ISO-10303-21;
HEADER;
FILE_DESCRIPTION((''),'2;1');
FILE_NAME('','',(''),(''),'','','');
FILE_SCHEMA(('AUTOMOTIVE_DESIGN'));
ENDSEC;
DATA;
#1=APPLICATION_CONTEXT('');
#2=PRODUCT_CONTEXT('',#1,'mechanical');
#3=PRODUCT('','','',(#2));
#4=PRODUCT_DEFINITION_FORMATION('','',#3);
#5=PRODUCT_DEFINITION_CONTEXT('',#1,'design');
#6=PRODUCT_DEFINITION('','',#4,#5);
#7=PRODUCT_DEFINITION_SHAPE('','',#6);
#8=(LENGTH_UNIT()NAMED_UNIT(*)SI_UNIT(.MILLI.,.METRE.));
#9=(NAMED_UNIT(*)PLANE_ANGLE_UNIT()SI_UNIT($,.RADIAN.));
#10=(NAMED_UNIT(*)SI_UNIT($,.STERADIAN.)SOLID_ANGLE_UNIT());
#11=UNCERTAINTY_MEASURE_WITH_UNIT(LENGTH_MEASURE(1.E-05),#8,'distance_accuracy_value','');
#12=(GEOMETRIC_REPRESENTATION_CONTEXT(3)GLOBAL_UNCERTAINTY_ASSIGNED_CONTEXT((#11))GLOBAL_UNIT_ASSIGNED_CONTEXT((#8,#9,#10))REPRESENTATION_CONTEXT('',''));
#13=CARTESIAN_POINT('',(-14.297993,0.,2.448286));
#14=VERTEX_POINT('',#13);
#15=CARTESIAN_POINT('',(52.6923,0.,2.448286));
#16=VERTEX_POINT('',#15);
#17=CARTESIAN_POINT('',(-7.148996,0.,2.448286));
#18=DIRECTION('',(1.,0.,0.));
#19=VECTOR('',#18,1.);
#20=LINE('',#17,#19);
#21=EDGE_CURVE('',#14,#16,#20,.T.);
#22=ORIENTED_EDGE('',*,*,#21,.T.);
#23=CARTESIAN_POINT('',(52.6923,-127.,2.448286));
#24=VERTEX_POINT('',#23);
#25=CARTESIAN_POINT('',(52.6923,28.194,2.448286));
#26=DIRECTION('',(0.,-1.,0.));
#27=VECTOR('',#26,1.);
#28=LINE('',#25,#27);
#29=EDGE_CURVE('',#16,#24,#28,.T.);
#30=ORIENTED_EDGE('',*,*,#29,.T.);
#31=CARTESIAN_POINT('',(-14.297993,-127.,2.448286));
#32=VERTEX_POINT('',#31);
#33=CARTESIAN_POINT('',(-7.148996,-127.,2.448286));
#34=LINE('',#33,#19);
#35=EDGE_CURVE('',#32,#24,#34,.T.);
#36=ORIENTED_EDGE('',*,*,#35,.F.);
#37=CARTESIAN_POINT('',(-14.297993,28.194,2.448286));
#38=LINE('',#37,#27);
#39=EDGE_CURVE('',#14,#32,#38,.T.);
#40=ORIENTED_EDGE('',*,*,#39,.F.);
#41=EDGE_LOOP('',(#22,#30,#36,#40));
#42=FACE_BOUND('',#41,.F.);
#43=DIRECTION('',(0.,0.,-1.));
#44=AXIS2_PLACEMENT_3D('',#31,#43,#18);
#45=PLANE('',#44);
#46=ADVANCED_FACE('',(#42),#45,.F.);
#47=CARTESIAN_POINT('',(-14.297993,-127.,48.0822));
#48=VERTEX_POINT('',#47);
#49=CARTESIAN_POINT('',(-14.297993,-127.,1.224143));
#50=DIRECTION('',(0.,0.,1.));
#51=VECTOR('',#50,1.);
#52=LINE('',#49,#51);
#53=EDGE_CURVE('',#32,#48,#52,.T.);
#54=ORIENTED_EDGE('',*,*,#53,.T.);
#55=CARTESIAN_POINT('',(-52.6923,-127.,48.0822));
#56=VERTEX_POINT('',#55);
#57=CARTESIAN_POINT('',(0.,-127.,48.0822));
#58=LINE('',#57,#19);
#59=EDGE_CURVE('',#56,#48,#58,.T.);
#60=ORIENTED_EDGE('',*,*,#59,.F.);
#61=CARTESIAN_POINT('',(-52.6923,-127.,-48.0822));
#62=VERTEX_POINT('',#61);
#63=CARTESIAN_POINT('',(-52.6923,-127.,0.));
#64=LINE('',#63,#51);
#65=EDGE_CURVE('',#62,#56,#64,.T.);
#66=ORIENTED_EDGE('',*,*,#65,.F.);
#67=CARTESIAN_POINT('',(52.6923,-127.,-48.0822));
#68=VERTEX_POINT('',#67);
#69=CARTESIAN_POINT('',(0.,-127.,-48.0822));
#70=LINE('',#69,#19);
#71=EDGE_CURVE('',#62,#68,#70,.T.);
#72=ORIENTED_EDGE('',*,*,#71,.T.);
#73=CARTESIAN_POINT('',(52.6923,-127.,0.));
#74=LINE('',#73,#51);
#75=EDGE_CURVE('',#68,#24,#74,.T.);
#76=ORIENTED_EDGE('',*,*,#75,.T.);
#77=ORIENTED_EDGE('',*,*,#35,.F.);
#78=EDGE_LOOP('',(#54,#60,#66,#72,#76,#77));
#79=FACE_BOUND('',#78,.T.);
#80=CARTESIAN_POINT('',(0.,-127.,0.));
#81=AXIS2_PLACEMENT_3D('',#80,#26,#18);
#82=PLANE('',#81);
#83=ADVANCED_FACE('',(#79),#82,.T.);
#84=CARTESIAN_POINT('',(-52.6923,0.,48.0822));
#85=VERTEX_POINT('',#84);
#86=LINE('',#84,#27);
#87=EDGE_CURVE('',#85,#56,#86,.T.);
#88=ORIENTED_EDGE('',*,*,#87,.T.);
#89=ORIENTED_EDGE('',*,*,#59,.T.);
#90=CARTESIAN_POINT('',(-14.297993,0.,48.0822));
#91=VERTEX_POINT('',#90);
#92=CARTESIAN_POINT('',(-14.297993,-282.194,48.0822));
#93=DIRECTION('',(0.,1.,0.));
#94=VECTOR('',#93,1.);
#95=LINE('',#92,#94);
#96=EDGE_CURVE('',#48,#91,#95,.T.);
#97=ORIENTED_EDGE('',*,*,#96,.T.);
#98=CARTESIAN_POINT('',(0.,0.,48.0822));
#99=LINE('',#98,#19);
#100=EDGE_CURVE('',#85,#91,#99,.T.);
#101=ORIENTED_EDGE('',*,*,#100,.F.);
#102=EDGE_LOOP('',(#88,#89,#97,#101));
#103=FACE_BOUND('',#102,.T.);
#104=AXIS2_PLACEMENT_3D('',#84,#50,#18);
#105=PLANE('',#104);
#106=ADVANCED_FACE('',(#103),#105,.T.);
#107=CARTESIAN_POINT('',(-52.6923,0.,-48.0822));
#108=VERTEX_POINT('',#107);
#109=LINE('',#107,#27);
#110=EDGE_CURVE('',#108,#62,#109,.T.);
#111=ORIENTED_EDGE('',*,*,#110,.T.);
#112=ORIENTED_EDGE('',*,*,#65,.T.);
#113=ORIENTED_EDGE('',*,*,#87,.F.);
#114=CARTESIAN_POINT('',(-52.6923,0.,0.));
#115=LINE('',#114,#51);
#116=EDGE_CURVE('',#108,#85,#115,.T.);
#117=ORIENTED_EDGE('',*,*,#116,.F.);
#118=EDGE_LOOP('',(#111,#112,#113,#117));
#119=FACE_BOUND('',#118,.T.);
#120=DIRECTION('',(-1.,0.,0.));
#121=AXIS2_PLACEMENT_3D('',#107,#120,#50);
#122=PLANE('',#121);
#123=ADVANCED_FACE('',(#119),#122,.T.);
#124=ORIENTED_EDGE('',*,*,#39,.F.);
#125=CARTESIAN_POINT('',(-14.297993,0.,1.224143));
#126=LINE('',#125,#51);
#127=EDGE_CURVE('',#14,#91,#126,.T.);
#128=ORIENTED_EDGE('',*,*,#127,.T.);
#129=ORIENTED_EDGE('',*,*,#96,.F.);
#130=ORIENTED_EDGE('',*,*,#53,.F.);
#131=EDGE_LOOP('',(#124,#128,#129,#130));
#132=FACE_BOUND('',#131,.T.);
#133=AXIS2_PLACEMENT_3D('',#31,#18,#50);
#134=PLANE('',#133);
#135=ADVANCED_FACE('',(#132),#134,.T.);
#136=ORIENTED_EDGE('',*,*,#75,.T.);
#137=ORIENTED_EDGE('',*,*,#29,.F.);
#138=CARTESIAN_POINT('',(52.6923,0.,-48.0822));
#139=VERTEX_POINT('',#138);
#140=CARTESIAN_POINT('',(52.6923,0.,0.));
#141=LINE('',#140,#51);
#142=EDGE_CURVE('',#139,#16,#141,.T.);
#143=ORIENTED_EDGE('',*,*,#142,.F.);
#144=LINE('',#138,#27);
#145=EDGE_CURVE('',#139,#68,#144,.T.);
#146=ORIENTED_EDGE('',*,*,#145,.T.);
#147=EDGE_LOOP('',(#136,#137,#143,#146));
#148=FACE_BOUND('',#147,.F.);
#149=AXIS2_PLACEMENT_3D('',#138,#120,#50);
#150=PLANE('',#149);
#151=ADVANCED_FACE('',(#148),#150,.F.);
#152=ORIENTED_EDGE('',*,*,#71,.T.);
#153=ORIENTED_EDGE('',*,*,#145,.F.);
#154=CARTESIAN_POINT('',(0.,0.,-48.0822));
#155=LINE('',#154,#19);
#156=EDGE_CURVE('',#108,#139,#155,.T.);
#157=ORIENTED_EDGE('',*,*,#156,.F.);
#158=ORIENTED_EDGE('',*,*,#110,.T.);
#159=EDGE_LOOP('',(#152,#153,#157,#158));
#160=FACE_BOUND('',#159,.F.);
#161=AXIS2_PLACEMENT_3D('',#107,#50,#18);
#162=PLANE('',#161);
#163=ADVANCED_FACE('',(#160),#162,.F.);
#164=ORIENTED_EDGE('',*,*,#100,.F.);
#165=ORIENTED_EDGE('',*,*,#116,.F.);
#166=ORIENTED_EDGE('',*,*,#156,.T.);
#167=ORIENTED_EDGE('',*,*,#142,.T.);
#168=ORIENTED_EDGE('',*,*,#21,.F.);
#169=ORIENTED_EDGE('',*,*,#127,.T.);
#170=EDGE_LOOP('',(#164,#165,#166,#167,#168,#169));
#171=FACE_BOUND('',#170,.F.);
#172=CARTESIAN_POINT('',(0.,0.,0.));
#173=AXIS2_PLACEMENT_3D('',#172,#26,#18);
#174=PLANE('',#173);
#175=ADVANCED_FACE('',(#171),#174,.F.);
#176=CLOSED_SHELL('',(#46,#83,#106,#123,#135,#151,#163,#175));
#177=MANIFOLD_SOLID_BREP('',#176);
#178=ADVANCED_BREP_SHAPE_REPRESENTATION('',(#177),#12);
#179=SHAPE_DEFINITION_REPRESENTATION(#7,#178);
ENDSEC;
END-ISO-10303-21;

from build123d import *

# Parameters (mm, degrees)
F0_W     = 105.3846
F0_H     = 96.1644
F1_DEPTH = 127
F2_W     = 66.9902929224
F2_H     = 45.6339136045
F3_DEPTH = 155.194


with BuildPart() as f1:
    # F0 (on Front) → F1 (new body)
    with BuildSketch(Plane.XZ):
        Rectangle(F0_W, F0_H)
    extrude(amount=F1_DEPTH)

    # F2 (on face) → F3 (cut, symmetric)
    with BuildSketch(Plane.XZ.offset(127)):
        with Locations((19.1971535388, 25.2652431978)):
            Rectangle(F2_W, F2_H)
    extrude(amount=F3_DEPTH, both=True, mode=Mode.SUBTRACT)


solid = f1.part
